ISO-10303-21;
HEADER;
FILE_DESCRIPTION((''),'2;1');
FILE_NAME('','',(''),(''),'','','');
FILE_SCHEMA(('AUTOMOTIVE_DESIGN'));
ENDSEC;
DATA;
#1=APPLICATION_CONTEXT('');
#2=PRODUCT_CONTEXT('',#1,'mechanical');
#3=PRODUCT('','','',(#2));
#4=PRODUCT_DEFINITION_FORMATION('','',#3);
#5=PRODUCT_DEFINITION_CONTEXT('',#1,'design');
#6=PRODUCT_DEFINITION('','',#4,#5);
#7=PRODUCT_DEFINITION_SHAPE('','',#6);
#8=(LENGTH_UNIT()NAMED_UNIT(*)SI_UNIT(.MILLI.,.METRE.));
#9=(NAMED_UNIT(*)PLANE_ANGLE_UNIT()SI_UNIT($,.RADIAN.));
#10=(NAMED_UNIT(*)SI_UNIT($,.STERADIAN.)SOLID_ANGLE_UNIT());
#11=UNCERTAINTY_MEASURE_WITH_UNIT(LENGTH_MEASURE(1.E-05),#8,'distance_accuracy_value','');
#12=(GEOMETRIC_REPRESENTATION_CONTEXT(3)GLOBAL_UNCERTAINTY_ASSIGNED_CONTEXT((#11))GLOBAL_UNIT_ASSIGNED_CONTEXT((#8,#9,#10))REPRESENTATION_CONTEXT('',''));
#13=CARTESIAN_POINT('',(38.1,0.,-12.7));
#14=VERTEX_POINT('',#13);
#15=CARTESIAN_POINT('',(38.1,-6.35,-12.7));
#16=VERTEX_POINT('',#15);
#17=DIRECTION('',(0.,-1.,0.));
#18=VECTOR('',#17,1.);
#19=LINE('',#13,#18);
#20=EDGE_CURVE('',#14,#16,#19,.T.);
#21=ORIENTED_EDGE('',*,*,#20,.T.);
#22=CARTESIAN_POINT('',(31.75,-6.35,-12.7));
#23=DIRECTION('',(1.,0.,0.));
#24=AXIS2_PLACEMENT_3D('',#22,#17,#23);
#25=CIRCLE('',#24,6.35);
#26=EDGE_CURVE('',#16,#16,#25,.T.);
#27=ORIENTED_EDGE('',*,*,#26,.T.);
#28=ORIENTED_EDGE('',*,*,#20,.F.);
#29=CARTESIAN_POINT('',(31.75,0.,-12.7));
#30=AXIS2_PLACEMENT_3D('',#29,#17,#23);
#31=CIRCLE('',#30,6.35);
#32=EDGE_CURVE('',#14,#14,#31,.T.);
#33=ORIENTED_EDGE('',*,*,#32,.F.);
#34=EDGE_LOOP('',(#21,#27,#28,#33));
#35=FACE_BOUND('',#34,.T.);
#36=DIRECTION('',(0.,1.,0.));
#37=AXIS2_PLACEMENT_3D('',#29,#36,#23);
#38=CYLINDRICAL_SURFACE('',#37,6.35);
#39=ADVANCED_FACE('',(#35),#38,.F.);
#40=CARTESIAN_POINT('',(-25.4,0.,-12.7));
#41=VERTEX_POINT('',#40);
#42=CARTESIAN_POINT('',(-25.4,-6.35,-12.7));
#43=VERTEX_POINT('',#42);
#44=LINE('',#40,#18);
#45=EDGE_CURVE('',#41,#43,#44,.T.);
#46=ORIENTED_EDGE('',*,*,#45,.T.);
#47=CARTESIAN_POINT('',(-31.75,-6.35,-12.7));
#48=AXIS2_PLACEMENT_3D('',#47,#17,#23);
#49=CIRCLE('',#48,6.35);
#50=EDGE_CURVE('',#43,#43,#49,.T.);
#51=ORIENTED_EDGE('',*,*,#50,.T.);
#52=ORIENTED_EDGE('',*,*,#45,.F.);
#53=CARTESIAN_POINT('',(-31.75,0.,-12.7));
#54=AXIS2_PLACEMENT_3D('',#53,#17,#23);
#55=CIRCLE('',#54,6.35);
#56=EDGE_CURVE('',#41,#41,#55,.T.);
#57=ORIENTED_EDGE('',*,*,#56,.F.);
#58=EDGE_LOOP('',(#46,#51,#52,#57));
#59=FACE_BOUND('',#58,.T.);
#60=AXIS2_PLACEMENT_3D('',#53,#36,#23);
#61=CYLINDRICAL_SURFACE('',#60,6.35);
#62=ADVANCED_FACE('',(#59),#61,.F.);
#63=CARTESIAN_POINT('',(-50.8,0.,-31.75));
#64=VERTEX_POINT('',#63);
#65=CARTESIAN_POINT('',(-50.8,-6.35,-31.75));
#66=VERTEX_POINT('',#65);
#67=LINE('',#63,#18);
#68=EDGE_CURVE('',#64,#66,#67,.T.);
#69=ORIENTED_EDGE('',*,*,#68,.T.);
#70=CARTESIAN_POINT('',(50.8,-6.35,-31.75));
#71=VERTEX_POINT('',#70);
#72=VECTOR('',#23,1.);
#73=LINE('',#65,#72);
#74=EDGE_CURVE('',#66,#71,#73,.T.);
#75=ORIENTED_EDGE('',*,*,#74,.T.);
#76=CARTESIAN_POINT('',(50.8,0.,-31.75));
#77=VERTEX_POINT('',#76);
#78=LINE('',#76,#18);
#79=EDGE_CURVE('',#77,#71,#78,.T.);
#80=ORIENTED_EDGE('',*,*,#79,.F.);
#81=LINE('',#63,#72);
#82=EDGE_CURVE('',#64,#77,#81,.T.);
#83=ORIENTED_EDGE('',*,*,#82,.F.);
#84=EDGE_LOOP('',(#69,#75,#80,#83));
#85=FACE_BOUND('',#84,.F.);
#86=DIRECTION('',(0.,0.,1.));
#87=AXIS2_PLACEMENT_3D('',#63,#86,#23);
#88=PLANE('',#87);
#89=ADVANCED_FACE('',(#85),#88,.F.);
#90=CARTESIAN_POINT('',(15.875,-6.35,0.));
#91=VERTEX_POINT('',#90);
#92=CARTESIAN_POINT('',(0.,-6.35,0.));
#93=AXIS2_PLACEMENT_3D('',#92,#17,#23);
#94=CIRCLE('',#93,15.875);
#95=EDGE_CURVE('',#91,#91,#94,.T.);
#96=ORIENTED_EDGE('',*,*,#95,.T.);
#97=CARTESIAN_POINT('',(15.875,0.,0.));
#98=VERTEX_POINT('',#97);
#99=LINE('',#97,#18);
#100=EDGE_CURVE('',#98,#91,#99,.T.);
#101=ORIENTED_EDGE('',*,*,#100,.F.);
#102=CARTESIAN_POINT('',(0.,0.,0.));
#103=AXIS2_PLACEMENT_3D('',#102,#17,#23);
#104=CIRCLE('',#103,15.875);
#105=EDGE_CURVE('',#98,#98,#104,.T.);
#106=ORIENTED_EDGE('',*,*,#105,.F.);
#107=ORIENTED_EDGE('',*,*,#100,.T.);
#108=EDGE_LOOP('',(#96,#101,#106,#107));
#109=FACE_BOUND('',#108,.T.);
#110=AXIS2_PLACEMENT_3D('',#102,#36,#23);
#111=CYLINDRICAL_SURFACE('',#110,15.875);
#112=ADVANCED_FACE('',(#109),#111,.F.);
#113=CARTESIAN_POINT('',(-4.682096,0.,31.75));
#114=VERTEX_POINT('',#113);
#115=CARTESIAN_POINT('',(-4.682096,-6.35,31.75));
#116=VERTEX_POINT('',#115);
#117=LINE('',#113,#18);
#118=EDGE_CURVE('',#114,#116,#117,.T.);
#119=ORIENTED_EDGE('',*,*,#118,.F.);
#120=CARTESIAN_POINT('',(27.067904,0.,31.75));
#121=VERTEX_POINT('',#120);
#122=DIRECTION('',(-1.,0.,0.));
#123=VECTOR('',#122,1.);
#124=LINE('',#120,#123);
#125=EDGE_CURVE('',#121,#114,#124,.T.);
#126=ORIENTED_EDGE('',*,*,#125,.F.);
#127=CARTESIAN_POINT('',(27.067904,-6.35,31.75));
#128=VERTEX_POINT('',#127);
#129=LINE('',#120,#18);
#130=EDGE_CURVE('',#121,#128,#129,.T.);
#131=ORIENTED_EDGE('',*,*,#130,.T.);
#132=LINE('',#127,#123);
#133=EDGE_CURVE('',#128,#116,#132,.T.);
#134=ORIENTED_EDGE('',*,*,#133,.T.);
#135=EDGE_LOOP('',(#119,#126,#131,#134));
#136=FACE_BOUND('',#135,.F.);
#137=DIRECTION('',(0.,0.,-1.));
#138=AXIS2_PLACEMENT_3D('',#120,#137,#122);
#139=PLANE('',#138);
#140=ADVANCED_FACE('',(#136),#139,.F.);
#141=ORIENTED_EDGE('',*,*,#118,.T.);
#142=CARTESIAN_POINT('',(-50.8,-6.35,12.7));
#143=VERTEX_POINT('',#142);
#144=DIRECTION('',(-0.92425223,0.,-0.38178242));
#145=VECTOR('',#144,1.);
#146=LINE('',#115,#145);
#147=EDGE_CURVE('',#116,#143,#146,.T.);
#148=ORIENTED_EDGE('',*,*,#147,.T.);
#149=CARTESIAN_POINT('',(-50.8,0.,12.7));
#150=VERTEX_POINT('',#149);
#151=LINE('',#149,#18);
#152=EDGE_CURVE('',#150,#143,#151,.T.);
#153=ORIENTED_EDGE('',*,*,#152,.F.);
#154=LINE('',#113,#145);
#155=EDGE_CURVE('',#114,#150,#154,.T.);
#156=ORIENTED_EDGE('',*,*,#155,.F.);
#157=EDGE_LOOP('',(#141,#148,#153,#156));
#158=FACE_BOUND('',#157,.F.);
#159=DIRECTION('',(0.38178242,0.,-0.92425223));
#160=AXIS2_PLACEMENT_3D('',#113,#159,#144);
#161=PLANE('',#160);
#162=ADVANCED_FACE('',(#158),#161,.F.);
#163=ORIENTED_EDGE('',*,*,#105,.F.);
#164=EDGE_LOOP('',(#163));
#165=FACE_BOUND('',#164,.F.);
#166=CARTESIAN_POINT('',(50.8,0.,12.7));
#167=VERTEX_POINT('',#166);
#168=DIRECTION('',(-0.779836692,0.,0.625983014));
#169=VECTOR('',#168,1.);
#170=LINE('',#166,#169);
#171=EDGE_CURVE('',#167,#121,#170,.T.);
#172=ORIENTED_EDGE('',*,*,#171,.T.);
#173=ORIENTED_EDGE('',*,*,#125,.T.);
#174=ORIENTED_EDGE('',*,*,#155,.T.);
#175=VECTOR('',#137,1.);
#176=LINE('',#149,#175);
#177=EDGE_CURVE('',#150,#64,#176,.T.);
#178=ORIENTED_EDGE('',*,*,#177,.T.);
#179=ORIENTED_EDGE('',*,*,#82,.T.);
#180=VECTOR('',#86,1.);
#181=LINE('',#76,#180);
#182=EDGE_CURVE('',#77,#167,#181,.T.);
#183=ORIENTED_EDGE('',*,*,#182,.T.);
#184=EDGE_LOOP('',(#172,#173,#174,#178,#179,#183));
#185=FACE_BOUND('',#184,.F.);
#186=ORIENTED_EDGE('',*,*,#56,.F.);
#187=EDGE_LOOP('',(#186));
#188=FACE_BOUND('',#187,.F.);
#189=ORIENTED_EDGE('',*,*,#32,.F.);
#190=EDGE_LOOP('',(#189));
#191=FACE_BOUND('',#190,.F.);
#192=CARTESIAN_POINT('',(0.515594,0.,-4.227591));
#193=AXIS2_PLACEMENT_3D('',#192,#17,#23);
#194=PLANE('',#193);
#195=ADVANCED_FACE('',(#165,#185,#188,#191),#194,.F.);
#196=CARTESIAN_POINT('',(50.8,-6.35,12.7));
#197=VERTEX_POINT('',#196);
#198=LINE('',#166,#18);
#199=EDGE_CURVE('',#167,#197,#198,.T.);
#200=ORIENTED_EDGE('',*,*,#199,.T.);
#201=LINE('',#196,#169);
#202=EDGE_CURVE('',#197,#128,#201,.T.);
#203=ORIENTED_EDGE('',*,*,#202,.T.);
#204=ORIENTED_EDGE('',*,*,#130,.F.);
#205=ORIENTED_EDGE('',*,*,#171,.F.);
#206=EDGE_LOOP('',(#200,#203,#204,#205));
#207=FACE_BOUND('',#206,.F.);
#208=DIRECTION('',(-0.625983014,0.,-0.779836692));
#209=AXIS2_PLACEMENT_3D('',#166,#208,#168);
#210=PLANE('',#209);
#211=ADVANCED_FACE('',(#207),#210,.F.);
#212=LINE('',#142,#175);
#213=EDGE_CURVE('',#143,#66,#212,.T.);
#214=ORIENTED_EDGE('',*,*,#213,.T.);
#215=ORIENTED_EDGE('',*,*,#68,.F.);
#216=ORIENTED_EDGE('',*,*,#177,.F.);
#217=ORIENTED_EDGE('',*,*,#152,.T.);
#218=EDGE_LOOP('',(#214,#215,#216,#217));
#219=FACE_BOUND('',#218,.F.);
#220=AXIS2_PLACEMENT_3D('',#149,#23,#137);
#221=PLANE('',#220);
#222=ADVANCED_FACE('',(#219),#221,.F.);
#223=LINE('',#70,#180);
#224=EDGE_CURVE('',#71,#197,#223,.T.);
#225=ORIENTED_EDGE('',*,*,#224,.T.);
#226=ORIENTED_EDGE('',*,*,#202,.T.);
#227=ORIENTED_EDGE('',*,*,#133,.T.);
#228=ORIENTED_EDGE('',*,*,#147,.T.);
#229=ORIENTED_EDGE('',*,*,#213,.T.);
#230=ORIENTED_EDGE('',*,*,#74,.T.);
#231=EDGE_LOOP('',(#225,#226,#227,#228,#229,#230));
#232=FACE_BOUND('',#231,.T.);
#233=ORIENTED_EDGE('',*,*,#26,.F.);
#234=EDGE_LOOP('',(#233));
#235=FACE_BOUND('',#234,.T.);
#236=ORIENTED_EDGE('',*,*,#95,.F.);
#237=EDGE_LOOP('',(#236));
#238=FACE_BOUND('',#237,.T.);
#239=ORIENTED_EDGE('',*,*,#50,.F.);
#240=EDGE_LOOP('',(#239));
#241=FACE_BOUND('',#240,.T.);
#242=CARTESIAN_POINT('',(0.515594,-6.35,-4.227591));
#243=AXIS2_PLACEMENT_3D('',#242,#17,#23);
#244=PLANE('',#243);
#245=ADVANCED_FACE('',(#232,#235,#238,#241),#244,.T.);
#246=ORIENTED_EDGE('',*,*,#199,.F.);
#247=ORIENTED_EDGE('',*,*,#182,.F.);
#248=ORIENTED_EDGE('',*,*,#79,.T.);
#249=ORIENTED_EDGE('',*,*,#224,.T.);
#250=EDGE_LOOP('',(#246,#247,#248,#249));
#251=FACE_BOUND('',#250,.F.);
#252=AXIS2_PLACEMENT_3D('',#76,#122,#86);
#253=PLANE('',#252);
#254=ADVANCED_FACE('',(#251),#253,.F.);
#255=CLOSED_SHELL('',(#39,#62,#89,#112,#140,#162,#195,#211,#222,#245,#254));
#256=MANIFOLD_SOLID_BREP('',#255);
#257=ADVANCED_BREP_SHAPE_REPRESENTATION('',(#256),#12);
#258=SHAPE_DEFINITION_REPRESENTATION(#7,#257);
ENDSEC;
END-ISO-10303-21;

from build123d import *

# Parameters (mm, degrees)
F0_R     = 6.35
F0_R_2   = 15.875
F1_DEPTH = 6.35


with BuildPart() as f1:
    # F0 (on Front) → F1 (new body)
    with BuildSketch(Plane.XZ):
        Polygon((27.067904, 31.75), (-4.682096, 31.75), (-50.8, 12.7), (-50.8, -31.75), (50.8, -31.75), (50.8, 12.7), align=None)
        with Locations((-31.75, -12.7)):
            Circle(F0_R, mode=Mode.SUBTRACT)
        with Locations((31.75, -12.7)):
            Circle(F0_R, mode=Mode.SUBTRACT)
        Circle(F0_R_2, mode=Mode.SUBTRACT)
    extrude(amount=F1_DEPTH)


solid = f1.part
